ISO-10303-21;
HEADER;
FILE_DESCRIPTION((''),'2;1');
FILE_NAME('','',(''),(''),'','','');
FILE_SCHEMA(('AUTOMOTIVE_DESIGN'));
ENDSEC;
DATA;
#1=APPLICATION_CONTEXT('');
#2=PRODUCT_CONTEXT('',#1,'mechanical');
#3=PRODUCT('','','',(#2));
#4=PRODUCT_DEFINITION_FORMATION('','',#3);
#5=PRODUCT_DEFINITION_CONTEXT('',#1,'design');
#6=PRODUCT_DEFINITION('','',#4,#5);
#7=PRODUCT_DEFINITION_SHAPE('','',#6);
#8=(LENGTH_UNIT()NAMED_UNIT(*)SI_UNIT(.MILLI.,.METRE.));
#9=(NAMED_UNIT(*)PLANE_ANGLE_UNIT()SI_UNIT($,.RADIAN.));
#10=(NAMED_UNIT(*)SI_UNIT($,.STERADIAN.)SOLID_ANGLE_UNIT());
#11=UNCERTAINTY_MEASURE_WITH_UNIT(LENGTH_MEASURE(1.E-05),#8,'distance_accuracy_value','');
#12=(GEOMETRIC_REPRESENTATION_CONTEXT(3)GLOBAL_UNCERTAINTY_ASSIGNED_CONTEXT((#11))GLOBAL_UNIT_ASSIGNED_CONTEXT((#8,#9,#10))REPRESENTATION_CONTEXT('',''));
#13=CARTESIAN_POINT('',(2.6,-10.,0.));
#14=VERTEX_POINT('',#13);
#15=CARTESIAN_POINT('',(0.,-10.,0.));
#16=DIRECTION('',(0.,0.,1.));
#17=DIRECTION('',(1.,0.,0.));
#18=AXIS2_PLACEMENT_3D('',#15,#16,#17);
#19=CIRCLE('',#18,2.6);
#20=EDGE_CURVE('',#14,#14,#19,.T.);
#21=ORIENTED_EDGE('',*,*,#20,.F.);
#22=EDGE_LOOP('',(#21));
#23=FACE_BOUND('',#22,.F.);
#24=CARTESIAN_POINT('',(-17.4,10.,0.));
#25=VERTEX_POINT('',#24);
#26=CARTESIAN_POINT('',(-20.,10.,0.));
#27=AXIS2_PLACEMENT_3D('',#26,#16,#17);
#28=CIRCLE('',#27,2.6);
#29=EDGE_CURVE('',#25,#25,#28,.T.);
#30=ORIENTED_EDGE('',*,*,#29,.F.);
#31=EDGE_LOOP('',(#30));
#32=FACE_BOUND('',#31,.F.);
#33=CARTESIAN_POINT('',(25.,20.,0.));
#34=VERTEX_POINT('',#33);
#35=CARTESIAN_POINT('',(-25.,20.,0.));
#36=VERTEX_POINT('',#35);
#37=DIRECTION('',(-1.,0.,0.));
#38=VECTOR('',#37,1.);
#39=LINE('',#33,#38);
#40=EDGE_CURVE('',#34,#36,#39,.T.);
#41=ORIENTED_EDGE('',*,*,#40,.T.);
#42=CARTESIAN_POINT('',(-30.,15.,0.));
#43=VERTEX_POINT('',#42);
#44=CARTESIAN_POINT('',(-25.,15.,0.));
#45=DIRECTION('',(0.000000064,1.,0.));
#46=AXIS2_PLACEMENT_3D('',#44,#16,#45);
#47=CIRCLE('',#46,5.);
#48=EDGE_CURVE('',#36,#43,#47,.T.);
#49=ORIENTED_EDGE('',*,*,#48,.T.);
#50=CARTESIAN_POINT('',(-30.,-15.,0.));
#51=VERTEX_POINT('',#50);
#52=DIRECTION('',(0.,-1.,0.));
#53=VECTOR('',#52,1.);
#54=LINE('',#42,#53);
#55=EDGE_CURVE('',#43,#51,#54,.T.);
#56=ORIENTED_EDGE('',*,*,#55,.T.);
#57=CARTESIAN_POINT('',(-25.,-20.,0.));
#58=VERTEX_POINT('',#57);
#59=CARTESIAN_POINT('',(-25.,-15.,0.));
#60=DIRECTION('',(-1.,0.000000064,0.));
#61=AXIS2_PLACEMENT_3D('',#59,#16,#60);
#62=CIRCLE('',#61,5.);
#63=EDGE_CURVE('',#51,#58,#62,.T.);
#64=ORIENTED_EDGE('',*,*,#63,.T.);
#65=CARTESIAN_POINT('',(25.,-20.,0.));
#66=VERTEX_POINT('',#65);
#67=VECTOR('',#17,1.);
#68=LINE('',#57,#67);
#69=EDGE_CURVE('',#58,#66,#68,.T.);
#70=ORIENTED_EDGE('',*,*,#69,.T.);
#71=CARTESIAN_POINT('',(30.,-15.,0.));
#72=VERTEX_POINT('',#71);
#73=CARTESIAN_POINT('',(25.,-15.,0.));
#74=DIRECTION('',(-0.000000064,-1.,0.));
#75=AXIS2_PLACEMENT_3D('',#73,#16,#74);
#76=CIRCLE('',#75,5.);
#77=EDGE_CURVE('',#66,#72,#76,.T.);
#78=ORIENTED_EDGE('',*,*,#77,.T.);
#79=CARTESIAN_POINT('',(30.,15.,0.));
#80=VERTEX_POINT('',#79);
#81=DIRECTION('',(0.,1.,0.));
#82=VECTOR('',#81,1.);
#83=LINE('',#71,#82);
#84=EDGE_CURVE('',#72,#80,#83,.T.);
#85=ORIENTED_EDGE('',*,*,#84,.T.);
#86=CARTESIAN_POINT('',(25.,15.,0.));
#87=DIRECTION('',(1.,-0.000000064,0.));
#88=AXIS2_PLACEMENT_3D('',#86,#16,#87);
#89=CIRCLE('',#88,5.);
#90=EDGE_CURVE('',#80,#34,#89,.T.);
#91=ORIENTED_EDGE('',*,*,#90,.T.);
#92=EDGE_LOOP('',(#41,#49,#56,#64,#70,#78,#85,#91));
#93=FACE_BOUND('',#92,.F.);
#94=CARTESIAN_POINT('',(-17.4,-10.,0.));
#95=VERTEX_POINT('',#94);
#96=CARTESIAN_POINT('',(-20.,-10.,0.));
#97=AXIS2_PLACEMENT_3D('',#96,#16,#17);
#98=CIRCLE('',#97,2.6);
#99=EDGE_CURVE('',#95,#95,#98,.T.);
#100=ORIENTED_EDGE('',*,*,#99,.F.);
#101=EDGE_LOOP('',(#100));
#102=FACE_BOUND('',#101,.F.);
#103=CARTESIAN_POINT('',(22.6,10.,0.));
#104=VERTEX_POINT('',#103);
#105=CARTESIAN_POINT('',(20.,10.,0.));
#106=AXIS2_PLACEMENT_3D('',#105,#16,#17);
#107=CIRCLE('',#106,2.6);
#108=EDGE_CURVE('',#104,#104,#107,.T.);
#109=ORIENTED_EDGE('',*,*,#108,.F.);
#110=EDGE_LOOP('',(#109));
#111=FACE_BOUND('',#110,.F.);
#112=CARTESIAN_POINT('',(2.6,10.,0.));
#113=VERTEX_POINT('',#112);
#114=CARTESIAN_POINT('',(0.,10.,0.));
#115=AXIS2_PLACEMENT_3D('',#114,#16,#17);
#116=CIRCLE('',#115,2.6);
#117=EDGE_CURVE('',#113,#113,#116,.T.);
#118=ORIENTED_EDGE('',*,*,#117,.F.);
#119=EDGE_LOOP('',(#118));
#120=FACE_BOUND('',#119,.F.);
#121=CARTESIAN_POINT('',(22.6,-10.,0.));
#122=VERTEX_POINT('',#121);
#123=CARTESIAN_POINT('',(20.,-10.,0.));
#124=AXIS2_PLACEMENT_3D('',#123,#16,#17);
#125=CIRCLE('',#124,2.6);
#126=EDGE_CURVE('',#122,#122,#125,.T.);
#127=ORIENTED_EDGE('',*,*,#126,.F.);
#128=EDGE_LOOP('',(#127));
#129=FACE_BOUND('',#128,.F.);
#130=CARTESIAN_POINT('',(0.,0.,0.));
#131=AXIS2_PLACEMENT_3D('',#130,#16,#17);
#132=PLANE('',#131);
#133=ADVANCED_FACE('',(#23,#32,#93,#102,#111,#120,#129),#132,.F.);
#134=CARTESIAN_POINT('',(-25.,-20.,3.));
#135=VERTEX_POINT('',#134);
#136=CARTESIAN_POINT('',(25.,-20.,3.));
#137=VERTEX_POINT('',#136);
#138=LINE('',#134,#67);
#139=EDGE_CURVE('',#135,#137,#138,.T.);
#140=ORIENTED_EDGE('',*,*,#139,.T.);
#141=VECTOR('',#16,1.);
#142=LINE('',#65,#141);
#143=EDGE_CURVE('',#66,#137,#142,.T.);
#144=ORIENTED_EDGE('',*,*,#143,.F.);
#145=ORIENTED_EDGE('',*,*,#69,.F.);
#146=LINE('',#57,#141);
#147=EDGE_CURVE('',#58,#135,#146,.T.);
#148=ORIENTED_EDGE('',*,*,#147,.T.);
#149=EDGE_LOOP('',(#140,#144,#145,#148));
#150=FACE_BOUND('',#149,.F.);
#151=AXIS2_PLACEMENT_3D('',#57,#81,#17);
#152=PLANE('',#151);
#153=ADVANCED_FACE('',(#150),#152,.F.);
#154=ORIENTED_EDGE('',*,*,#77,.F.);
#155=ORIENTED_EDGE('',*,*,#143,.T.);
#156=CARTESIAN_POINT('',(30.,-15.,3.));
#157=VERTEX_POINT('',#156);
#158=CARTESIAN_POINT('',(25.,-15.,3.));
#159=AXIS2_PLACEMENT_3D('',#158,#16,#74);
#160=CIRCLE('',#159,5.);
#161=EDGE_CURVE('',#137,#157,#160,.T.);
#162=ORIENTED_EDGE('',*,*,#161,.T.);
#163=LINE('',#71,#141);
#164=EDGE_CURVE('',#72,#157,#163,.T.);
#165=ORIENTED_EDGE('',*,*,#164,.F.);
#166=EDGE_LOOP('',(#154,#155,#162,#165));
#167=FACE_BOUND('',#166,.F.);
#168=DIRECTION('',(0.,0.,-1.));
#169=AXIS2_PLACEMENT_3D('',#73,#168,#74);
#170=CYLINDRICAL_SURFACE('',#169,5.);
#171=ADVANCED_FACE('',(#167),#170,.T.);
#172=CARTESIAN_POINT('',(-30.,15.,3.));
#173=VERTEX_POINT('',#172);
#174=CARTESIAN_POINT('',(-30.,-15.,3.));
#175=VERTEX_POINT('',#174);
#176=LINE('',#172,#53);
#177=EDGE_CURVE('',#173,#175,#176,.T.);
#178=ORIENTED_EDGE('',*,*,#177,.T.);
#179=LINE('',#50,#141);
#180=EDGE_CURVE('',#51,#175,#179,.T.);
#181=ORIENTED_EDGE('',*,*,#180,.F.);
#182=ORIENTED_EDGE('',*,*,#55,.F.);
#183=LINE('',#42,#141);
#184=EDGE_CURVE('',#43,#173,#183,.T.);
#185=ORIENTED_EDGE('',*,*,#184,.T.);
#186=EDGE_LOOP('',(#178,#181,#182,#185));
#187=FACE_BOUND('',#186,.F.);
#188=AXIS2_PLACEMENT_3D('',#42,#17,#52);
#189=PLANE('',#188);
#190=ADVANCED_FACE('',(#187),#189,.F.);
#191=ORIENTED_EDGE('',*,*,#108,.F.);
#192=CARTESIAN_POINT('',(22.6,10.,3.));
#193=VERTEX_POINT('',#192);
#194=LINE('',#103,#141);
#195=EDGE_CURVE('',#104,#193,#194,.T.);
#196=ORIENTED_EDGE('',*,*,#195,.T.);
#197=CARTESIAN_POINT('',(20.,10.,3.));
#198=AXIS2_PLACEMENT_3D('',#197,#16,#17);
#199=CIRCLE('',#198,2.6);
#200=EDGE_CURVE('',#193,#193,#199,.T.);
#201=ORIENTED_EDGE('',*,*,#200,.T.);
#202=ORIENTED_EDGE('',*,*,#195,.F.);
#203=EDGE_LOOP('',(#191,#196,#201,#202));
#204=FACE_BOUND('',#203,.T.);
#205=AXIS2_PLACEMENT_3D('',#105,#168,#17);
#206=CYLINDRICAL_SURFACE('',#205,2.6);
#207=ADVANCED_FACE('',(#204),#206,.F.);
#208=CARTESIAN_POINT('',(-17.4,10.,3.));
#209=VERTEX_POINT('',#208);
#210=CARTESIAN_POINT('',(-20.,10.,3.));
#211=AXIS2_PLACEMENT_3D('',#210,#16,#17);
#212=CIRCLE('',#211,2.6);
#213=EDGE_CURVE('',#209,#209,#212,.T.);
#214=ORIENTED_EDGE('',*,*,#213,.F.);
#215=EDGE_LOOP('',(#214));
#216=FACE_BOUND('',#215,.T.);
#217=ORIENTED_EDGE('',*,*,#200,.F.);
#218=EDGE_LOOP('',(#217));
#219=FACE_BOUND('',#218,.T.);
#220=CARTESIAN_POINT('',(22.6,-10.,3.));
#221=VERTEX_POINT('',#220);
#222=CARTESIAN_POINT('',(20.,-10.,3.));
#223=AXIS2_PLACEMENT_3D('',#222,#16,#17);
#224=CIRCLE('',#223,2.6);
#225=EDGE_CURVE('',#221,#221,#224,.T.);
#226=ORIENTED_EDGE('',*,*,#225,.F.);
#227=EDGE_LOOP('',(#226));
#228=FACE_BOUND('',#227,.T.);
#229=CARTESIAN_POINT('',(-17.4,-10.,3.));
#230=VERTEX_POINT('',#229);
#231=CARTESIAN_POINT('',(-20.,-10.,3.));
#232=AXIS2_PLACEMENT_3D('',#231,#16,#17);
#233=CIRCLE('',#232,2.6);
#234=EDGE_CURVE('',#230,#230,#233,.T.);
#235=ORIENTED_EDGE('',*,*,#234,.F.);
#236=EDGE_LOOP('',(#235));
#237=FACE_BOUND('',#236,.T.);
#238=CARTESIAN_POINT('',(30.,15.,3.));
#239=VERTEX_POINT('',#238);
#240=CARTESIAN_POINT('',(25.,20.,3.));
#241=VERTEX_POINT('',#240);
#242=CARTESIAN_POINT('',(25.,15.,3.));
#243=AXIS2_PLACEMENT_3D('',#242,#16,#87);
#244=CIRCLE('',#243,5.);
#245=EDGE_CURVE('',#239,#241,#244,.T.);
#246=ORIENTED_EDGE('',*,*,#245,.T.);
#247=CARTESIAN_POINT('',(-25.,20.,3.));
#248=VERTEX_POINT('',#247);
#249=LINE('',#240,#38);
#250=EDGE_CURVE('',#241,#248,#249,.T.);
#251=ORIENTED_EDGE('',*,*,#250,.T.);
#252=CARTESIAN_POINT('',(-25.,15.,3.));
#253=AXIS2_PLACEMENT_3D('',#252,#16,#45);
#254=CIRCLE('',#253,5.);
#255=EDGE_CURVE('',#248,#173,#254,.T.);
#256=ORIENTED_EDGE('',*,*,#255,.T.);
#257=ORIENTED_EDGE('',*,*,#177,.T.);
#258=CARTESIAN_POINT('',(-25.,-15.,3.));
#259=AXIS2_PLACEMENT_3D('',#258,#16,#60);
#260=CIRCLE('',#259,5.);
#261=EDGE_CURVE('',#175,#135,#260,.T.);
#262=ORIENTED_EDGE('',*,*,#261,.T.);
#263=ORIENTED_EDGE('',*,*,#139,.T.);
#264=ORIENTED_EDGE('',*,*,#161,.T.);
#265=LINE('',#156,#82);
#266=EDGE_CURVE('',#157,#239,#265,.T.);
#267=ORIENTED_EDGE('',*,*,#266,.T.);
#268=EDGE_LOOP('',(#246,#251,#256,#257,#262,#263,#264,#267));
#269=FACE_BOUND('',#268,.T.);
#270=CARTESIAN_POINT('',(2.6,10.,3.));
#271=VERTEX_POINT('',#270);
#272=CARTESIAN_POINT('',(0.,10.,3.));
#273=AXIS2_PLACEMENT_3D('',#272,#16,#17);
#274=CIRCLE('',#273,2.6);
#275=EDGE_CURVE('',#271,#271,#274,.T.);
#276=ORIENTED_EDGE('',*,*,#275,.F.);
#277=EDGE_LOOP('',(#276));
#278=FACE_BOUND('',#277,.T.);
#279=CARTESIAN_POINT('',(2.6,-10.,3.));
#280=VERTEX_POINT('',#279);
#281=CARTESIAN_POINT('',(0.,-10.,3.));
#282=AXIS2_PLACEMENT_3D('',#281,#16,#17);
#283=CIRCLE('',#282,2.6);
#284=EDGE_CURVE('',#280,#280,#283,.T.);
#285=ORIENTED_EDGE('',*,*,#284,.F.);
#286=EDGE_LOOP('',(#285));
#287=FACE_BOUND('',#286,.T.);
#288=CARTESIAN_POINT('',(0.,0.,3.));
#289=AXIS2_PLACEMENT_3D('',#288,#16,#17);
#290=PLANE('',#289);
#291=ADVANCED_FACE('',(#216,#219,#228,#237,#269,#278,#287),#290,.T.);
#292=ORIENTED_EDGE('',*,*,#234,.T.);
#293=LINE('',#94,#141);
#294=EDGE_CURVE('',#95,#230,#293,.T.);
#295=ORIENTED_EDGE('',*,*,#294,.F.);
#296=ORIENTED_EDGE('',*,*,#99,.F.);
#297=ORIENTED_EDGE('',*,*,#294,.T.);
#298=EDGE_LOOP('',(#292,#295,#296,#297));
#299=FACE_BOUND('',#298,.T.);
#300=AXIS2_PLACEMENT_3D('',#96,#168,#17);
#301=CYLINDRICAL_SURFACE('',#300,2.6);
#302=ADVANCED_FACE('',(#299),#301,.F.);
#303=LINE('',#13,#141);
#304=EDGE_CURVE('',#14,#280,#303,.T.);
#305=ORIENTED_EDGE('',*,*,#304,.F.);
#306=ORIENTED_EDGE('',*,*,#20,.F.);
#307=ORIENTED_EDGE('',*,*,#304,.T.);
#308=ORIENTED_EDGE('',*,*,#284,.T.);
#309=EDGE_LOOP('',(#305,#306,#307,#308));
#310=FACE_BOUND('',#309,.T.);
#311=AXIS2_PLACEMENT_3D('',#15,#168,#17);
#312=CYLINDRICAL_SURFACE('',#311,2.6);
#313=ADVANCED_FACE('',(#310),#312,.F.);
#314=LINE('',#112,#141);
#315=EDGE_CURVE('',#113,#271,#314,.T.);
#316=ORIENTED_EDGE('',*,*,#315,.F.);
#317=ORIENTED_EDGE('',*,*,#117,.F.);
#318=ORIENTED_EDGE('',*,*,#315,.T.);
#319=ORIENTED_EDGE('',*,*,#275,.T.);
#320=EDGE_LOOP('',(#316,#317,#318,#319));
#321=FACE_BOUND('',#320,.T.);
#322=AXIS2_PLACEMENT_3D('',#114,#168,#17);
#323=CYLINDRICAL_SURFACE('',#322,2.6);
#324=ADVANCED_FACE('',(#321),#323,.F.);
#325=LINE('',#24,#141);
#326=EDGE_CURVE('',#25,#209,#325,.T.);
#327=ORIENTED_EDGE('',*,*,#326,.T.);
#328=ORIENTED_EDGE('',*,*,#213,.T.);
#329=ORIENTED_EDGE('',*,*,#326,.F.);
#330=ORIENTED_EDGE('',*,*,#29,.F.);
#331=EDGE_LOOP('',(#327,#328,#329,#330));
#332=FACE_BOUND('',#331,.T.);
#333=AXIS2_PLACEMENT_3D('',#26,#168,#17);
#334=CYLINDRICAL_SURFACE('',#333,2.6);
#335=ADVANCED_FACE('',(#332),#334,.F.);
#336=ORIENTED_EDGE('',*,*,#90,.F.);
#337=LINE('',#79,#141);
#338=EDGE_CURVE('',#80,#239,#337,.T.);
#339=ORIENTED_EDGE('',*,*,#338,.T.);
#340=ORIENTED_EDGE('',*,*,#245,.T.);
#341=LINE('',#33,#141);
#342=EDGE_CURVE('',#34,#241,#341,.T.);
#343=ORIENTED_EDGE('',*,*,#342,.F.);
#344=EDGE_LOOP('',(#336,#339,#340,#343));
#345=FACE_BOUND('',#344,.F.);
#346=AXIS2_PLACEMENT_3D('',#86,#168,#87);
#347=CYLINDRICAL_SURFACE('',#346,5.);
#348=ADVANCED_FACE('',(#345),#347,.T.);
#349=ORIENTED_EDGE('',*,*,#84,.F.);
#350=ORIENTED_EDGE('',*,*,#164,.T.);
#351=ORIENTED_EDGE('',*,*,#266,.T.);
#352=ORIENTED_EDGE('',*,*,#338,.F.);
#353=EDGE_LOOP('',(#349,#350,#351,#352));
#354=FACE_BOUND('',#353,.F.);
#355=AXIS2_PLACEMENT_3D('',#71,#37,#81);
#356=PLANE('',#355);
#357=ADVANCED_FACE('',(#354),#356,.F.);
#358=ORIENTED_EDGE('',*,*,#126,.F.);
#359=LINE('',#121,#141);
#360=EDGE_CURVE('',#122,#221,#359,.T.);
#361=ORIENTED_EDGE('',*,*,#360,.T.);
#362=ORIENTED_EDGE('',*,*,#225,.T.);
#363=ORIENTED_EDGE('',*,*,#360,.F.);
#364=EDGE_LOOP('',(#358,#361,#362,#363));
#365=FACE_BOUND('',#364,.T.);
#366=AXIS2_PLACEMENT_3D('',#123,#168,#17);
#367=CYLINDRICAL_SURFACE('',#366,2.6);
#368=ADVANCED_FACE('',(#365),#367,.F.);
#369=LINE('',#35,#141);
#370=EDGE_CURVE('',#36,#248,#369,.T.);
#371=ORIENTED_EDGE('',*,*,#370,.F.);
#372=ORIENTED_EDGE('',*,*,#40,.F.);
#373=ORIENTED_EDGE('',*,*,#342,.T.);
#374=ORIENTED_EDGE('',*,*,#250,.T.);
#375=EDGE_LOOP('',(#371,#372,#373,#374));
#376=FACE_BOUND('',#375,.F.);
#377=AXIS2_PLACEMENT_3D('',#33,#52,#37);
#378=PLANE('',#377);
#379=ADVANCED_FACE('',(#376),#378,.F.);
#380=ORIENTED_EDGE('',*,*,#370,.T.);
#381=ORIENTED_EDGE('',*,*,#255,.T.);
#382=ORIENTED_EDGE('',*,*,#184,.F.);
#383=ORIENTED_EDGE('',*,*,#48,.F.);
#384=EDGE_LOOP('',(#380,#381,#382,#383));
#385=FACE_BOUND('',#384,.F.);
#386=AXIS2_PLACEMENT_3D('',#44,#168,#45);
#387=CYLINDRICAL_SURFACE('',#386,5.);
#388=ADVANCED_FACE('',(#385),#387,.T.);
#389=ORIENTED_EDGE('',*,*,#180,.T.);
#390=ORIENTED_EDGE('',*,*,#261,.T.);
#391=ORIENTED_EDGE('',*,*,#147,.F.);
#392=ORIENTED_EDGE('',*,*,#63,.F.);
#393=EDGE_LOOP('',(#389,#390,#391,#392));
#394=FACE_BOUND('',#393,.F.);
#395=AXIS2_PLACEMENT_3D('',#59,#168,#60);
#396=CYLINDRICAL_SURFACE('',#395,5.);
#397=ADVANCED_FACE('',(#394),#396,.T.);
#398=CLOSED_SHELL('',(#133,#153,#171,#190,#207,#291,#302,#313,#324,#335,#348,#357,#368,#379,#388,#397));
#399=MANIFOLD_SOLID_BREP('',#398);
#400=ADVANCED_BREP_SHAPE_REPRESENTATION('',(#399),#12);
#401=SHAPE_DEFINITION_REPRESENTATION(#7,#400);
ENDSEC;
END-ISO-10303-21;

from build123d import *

# Parameters (mm, degrees)
F0_R     = 2.6
F1_DEPTH = 3


with BuildPart() as f1:
    # F0 (on Top) → F1 (new body)
    with BuildSketch(Plane.XY):
        with BuildLine():
            Line((-25, -20), (25, -20))
            ThreePointArc((25, -20), (28.535534, -18.535534), (30, -15))
            Line((30, -15), (30, 15))
            ThreePointArc((30, 15), (28.535534, 18.535534), (25, 20))
            Line((25, 20), (-25, 20))
            ThreePointArc((-25, 20), (-28.535534, 18.535534), (-30, 15))
            Line((-30, 15), (-30, -15))
            ThreePointArc((-30, -15), (-28.535534, -18.535534), (-25, -20))
        make_face()
        with Locations((-20, -10)):
            Circle(F0_R, mode=Mode.SUBTRACT)
        with Locations((0, -10)):
            Circle(F0_R, mode=Mode.SUBTRACT)
        with Locations((20, -10)):
            Circle(F0_R, mode=Mode.SUBTRACT)
        with Locations((-20, 10)):
            Circle(F0_R, mode=Mode.SUBTRACT)
        with Locations((0, 10)):
            Circle(F0_R, mode=Mode.SUBTRACT)
        with Locations((20, 10)):
            Circle(F0_R, mode=Mode.SUBTRACT)
    extrude(amount=F1_DEPTH)


solid = f1.part
